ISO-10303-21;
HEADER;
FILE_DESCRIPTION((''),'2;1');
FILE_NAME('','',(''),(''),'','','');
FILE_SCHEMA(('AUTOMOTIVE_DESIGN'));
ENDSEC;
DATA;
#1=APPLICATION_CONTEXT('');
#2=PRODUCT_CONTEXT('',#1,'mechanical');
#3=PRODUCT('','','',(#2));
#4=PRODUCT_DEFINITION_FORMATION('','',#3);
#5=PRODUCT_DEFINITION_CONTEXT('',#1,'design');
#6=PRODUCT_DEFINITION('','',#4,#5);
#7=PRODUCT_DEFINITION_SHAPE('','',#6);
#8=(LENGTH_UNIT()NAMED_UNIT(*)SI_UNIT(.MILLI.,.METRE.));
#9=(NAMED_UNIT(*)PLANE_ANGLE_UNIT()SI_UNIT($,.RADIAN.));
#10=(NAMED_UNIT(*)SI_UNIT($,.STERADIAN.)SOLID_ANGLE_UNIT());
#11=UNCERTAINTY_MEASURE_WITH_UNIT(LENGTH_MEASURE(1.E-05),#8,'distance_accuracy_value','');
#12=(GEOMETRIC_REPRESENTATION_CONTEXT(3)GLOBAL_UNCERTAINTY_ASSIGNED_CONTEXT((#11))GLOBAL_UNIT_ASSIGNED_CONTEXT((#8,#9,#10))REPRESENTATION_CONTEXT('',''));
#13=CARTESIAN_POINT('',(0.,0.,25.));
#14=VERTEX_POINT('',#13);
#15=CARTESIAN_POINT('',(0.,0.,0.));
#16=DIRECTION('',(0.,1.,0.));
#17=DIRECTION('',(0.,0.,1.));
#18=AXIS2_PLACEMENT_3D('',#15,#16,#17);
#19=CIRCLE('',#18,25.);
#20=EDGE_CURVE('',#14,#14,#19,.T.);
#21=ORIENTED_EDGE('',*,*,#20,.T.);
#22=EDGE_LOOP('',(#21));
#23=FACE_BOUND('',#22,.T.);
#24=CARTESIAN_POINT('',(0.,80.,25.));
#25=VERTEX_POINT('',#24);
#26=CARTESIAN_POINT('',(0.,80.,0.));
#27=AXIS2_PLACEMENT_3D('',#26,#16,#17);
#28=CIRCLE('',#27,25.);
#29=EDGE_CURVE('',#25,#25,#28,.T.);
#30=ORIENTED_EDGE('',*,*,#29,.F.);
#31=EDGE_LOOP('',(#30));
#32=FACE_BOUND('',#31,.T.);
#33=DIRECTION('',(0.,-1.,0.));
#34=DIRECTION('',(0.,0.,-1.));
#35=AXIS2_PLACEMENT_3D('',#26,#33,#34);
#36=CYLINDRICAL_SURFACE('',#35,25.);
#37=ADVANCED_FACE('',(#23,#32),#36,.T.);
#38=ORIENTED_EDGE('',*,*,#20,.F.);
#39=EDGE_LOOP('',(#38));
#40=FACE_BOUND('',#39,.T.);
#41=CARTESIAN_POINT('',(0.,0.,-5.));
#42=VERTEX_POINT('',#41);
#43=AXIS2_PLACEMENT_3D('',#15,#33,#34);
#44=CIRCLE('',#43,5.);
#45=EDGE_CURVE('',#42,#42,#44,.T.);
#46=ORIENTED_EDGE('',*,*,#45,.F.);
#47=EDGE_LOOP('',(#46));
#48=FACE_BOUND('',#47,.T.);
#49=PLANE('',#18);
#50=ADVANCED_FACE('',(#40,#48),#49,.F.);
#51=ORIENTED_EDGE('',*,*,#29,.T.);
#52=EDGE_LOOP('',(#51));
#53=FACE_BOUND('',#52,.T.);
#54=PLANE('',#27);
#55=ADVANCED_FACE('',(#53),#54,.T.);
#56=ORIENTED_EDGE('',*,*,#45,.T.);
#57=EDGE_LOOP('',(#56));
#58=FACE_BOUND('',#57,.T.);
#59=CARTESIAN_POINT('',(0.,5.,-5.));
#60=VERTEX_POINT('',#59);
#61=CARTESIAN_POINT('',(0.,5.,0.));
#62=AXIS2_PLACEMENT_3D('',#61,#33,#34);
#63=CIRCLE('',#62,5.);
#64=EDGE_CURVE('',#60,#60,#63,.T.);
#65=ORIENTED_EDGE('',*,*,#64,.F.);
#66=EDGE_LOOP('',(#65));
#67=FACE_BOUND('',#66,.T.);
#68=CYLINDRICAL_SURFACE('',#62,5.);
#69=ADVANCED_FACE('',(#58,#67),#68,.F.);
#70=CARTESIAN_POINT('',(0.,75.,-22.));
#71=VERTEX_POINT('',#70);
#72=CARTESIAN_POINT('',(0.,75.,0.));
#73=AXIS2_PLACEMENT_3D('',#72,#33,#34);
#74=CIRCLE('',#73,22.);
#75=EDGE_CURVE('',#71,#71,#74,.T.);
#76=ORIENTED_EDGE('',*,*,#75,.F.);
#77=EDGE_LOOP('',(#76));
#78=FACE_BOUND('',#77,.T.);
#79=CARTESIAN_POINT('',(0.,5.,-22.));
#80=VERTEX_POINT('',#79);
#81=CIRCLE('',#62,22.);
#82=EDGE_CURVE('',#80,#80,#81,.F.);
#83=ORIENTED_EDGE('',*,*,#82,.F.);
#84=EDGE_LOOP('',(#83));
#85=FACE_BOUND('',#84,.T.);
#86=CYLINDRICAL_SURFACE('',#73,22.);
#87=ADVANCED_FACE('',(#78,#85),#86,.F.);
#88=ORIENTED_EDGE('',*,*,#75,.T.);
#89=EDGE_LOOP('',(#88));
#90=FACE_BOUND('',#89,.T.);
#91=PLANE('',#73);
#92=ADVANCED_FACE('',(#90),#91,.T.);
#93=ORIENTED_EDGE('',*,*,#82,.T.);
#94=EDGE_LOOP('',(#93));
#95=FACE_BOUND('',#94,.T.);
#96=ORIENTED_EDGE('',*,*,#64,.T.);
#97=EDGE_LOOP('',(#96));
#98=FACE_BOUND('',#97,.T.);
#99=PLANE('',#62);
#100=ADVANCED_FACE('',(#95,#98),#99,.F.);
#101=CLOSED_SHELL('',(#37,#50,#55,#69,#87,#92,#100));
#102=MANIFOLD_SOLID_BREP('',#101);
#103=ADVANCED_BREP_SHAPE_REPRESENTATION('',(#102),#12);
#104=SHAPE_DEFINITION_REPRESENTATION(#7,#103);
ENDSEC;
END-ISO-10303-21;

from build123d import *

# Parameters (mm, degrees)
SKETCH_1_R          = 25
EXTRUDE_1_DEPTH     = 80
SKETCH_3_R          = 22
CUT_EXTRUDE_1_DEPTH = 75
SKETCH_4_R          = 22
SKETCH_4_R_2        = 5
EXTRUDE_2_DEPTH     = 5


with BuildPart() as part:
    # 草图1 → 凸台-拉伸1 (new body)
    with BuildSketch(Plane(origin=(0, 0, 0), x_dir=(1, 0, 0), z_dir=(0, 1, 0))):
        with Locations(Location((0, 0, 0), (0, 0, 270))):
            Circle(SKETCH_1_R)
    extrude(amount=EXTRUDE_1_DEPTH)

    # 草图3 → 切除-拉伸1 (cut)
    with BuildSketch(Plane.XZ):
        with Locations(Location((0, 0, 0), (0, 0, 270))):
            Circle(SKETCH_3_R)
    extrude(amount=-CUT_EXTRUDE_1_DEPTH, mode=Mode.SUBTRACT)

    # 草图4 → 凸台-拉伸2 (add)
    with BuildSketch(Plane.XZ):
        with Locations(Location((0, 0, 0), (0, 0, 270))):
            Circle(SKETCH_4_R)
        with Locations(Location((0, 0, 0), (0, 0, 270))):
            Circle(SKETCH_4_R_2, mode=Mode.SUBTRACT)
    extrude(amount=-EXTRUDE_2_DEPTH)


solid = part.part
